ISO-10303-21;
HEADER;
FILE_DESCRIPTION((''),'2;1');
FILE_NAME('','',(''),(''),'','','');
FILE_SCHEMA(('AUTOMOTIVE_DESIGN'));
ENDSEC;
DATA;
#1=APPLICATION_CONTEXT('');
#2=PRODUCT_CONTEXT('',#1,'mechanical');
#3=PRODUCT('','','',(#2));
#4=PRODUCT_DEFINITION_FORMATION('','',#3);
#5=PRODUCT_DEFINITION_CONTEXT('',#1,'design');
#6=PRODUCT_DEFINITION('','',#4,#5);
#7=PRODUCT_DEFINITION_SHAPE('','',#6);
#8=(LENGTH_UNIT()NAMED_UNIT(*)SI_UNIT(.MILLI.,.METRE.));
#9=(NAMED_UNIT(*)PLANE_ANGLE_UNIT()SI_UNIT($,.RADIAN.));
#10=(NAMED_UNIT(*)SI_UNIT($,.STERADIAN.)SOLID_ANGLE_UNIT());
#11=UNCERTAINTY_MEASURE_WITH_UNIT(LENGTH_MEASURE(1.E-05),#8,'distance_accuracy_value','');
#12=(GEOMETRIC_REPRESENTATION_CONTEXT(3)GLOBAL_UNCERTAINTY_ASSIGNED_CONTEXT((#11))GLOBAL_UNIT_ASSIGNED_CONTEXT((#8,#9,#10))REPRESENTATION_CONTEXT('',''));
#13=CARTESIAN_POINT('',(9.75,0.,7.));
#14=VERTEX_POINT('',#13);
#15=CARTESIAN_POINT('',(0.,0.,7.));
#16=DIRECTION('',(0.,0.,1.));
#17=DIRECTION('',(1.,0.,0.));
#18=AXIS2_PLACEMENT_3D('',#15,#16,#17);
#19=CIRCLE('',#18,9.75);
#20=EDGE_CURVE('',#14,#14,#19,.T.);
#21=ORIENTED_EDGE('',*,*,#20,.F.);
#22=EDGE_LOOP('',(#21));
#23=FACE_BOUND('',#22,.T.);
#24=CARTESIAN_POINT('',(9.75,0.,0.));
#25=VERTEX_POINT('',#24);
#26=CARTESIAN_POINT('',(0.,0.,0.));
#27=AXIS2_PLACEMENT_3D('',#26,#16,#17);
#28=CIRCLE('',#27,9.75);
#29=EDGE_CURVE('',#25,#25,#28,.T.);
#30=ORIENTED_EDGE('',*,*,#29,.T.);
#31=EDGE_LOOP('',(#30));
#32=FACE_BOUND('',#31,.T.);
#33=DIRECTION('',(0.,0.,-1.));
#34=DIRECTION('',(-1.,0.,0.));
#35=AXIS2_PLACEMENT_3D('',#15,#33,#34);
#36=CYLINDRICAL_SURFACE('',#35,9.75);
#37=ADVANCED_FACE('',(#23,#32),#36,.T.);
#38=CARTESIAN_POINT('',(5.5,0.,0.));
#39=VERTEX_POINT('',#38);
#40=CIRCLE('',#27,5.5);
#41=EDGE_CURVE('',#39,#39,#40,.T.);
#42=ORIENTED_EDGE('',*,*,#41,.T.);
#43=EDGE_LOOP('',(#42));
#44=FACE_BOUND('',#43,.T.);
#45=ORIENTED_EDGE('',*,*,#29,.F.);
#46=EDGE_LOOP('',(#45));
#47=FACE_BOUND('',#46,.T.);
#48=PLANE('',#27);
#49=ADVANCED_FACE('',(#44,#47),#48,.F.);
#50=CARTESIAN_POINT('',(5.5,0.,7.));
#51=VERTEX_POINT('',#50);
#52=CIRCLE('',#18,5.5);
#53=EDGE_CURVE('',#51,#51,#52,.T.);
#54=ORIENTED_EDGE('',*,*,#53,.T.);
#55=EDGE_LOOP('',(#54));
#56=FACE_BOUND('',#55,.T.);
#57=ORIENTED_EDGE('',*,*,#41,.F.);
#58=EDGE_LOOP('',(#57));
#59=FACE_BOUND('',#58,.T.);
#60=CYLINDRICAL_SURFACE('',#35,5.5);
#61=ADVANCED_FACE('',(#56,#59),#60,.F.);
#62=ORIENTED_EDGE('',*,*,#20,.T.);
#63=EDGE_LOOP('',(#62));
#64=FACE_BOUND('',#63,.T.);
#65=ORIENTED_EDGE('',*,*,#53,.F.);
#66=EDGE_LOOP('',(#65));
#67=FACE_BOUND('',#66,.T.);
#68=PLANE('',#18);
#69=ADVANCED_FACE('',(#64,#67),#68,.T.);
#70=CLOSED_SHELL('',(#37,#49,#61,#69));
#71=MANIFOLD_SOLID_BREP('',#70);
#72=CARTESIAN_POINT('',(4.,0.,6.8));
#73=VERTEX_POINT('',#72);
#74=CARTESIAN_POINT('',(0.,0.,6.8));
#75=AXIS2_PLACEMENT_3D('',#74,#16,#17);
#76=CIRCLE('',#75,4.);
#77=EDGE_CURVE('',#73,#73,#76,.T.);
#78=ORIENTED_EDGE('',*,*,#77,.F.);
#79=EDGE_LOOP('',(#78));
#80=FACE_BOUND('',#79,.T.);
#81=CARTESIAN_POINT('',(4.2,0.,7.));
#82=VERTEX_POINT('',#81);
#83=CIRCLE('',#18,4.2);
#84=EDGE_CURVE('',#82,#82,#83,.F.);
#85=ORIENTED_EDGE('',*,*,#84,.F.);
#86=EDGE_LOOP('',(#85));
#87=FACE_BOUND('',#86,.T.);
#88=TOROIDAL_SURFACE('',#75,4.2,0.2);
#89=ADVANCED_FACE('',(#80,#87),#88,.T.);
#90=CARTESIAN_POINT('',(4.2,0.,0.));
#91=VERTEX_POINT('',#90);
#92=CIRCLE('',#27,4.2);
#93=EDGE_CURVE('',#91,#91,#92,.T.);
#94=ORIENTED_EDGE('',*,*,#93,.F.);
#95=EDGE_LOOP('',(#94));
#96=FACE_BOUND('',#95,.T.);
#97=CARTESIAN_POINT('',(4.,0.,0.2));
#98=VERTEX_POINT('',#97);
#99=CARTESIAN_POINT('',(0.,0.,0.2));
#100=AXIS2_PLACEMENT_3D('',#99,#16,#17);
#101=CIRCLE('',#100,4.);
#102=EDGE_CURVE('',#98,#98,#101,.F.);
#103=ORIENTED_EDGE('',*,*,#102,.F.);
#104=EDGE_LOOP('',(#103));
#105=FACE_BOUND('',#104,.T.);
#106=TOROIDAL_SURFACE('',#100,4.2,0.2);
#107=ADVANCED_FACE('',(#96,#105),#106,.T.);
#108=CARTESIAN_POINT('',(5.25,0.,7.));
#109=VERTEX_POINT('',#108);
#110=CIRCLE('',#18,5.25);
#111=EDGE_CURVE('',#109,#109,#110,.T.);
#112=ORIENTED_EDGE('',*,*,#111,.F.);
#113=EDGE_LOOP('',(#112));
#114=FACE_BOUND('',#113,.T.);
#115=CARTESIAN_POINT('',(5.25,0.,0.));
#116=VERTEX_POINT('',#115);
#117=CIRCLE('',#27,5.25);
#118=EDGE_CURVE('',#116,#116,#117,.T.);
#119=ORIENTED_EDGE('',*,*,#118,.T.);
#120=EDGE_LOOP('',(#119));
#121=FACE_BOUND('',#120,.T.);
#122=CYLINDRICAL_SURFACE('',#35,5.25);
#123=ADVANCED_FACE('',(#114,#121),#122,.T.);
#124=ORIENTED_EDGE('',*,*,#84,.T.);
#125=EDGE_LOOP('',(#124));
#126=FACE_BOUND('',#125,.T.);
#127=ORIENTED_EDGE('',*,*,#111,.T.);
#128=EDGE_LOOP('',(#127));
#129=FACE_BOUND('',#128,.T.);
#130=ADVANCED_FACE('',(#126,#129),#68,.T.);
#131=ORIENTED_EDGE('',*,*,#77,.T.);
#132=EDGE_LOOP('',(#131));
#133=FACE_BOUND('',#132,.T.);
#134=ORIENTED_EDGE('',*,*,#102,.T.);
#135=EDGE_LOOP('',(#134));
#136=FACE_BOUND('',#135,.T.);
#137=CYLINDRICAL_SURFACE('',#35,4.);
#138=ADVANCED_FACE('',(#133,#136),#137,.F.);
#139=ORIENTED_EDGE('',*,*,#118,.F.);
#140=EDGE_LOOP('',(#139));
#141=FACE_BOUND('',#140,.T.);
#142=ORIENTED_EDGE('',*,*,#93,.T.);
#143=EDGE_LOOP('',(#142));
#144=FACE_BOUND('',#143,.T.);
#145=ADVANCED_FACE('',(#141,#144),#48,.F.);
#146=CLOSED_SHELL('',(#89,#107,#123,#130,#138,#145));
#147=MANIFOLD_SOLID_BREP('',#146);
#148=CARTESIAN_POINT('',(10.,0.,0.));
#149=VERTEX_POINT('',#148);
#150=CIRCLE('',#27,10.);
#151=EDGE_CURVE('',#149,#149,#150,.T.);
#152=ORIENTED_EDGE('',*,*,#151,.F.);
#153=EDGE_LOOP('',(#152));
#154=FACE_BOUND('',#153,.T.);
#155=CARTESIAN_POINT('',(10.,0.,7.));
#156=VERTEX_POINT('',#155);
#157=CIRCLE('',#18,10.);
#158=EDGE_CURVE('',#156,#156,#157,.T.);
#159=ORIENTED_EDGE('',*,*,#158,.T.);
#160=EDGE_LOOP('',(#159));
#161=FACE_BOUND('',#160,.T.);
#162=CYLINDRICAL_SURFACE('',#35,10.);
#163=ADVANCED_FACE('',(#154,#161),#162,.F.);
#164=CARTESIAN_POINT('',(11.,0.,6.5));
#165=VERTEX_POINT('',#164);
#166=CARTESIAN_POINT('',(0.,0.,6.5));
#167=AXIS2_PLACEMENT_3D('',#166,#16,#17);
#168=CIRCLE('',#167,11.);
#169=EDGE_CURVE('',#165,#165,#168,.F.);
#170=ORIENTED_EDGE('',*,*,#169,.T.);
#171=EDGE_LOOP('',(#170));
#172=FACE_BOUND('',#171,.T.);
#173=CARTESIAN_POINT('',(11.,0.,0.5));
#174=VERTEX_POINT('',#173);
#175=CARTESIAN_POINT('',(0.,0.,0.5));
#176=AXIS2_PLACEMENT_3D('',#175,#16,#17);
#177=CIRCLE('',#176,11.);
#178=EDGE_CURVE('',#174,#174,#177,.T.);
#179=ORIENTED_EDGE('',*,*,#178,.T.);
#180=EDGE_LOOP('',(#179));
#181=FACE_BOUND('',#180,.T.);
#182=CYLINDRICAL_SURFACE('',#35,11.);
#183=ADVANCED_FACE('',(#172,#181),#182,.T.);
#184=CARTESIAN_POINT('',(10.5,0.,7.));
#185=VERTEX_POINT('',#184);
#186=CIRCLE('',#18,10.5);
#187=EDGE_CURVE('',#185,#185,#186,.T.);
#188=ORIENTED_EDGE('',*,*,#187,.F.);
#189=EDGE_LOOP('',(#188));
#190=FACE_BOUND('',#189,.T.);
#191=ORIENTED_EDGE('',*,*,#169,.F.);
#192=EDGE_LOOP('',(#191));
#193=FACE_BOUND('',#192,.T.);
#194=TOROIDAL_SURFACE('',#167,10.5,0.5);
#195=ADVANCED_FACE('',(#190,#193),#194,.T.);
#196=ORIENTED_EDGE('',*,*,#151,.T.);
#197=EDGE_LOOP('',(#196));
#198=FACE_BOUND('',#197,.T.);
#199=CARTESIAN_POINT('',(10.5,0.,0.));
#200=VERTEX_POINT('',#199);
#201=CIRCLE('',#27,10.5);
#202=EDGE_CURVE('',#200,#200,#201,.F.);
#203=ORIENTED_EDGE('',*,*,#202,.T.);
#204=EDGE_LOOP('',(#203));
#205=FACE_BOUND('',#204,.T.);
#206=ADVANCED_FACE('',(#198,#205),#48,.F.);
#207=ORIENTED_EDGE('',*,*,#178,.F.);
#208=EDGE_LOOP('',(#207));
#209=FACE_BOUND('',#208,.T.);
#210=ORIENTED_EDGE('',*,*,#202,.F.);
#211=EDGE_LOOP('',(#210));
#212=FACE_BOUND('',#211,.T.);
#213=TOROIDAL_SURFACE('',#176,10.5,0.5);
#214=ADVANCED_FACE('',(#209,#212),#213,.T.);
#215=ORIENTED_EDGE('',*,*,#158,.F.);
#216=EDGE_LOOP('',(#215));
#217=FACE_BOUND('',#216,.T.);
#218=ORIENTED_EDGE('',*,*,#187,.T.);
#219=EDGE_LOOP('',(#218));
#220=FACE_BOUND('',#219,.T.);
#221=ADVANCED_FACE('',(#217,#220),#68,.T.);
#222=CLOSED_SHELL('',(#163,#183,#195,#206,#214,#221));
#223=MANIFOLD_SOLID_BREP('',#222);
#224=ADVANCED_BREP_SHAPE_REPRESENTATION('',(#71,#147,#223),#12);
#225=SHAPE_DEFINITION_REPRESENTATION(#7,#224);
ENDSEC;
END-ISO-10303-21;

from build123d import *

# Parameters (mm, degrees)
CROQUIS1_R                = 9.75
CROQUIS1_R_2              = 5.5
SALIENTE_EXTRUIR1_DEPTH   = 7
CROQUIS1_R_3              = 5.25
CROQUIS1_R_4              = 4
SALIENTE_EXTRUIR1_2_DEPTH = 7
CROQUIS1_R_5              = 11
CROQUIS1_R_6              = 10
SALIENTE_EXTRUIR1_3_DEPTH = 7
REDONDEO1_R               = 0.2
REDONDEO2_R               = 0.5


with BuildPart() as part:
    # Croquis1 → Saliente-Extruir1 (new body)
    with BuildSketch(Plane.XY):
        Circle(CROQUIS1_R)
        Circle(CROQUIS1_R_2, mode=Mode.SUBTRACT)
    extrude(amount=SALIENTE_EXTRUIR1_DEPTH)


with BuildPart() as body_2:
    # Croquis1 → Saliente-Extruir1 2 (new body)
    with BuildSketch(Plane.XY):
        Circle(CROQUIS1_R_3)
        Circle(CROQUIS1_R_4, mode=Mode.SUBTRACT)
    extrude(amount=SALIENTE_EXTRUIR1_2_DEPTH)

    # Redondeo1
    redondeo1_edges = [body_2.edges().sort_by_distance(p)[0] for p in [
        (-4, 0, 0),
        (-4, 0, 7),
    ]]
    fillet(redondeo1_edges, radius=REDONDEO1_R)


with BuildPart() as body_3:
    # Croquis1 → Saliente-Extruir1 3 (new body)
    with BuildSketch(Plane.XY):
        Circle(CROQUIS1_R_5)
        Circle(CROQUIS1_R_6, mode=Mode.SUBTRACT)
    extrude(amount=SALIENTE_EXTRUIR1_3_DEPTH)

    # Redondeo2
    redondeo2_edges = [body_3.edges().sort_by_distance(p)[0] for p in [
        (-11, 0, 7),
        (-11, 0, 0),
    ]]
    fillet(redondeo2_edges, radius=REDONDEO2_R)


solid = Compound([part.part, body_2.part, body_3.part])
